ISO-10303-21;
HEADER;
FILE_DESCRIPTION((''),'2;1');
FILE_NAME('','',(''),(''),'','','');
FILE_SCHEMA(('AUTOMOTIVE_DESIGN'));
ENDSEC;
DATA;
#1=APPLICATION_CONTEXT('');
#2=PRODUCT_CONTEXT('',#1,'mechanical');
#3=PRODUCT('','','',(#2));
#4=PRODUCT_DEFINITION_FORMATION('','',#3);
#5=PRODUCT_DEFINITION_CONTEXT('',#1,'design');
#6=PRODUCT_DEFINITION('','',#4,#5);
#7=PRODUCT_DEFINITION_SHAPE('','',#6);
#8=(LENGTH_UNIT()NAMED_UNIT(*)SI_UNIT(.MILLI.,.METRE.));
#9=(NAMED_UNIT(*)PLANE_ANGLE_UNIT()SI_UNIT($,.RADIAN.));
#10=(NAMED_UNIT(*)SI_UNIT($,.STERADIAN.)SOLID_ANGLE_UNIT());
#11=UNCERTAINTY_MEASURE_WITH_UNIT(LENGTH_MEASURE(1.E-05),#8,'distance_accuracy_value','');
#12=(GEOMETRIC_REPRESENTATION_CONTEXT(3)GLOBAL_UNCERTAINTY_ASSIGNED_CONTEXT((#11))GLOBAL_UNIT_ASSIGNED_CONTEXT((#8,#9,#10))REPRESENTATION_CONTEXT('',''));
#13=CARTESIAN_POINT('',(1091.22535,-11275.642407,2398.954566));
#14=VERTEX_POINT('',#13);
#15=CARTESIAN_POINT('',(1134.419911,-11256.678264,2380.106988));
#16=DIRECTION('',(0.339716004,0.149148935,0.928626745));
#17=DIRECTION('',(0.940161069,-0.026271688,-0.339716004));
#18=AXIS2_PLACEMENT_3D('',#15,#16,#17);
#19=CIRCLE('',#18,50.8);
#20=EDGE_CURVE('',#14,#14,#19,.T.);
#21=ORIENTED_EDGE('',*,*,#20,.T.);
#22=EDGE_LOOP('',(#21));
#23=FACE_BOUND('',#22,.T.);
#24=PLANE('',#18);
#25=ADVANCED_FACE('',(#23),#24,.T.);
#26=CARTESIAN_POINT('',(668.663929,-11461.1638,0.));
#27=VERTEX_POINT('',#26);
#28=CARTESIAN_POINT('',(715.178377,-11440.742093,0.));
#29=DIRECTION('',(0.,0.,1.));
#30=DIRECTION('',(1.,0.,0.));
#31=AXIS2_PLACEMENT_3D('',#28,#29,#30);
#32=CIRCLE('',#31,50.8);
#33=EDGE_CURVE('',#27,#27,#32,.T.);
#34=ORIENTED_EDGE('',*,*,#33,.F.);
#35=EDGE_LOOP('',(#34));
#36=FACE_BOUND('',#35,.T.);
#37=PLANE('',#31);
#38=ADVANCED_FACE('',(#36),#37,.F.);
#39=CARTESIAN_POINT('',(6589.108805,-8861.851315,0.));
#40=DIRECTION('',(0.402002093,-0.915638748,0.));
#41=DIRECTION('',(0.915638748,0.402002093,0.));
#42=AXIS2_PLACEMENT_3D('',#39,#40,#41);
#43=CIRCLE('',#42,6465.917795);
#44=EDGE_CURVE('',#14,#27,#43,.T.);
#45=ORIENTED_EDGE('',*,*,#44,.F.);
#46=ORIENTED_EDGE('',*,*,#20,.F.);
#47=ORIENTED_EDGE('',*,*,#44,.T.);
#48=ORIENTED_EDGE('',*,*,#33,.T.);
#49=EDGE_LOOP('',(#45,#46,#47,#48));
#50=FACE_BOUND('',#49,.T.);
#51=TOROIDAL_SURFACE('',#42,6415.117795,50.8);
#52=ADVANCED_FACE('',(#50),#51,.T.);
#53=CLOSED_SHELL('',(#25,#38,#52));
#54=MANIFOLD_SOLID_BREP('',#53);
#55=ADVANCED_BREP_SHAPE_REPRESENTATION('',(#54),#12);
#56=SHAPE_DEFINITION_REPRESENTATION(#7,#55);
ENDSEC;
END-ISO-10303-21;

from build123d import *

# Parameters (mm, degrees)
SKETCH1_R = 50.8


with BuildPart() as part:
    # Sweep1: sweep along a path in Sketch2
    with BuildLine(Plane(origin=(4326.78469374, -9855.102232792, 0), x_dir=(0.6981081297770637, 0.3064974364693789, -0.6470736902215), z_dir=(-0.40200209269701465, 0.9156387483430466, -6.439293542825908e-15))) as sweep1_path:
        ThreePointArc((-3007.286283779, 2552.289788165), (-3703.392340119, 1553.582501513), (-4198.299880436, 441.3566195))
    # Sketch1 → Sweep1 (sweep)
    with BuildSketch(Plane.XY):
        with Locations((715.178376932, -11440.742093471)):
            Circle(SKETCH1_R)
    sweep(path=sweep1_path.line)


solid = part.part
